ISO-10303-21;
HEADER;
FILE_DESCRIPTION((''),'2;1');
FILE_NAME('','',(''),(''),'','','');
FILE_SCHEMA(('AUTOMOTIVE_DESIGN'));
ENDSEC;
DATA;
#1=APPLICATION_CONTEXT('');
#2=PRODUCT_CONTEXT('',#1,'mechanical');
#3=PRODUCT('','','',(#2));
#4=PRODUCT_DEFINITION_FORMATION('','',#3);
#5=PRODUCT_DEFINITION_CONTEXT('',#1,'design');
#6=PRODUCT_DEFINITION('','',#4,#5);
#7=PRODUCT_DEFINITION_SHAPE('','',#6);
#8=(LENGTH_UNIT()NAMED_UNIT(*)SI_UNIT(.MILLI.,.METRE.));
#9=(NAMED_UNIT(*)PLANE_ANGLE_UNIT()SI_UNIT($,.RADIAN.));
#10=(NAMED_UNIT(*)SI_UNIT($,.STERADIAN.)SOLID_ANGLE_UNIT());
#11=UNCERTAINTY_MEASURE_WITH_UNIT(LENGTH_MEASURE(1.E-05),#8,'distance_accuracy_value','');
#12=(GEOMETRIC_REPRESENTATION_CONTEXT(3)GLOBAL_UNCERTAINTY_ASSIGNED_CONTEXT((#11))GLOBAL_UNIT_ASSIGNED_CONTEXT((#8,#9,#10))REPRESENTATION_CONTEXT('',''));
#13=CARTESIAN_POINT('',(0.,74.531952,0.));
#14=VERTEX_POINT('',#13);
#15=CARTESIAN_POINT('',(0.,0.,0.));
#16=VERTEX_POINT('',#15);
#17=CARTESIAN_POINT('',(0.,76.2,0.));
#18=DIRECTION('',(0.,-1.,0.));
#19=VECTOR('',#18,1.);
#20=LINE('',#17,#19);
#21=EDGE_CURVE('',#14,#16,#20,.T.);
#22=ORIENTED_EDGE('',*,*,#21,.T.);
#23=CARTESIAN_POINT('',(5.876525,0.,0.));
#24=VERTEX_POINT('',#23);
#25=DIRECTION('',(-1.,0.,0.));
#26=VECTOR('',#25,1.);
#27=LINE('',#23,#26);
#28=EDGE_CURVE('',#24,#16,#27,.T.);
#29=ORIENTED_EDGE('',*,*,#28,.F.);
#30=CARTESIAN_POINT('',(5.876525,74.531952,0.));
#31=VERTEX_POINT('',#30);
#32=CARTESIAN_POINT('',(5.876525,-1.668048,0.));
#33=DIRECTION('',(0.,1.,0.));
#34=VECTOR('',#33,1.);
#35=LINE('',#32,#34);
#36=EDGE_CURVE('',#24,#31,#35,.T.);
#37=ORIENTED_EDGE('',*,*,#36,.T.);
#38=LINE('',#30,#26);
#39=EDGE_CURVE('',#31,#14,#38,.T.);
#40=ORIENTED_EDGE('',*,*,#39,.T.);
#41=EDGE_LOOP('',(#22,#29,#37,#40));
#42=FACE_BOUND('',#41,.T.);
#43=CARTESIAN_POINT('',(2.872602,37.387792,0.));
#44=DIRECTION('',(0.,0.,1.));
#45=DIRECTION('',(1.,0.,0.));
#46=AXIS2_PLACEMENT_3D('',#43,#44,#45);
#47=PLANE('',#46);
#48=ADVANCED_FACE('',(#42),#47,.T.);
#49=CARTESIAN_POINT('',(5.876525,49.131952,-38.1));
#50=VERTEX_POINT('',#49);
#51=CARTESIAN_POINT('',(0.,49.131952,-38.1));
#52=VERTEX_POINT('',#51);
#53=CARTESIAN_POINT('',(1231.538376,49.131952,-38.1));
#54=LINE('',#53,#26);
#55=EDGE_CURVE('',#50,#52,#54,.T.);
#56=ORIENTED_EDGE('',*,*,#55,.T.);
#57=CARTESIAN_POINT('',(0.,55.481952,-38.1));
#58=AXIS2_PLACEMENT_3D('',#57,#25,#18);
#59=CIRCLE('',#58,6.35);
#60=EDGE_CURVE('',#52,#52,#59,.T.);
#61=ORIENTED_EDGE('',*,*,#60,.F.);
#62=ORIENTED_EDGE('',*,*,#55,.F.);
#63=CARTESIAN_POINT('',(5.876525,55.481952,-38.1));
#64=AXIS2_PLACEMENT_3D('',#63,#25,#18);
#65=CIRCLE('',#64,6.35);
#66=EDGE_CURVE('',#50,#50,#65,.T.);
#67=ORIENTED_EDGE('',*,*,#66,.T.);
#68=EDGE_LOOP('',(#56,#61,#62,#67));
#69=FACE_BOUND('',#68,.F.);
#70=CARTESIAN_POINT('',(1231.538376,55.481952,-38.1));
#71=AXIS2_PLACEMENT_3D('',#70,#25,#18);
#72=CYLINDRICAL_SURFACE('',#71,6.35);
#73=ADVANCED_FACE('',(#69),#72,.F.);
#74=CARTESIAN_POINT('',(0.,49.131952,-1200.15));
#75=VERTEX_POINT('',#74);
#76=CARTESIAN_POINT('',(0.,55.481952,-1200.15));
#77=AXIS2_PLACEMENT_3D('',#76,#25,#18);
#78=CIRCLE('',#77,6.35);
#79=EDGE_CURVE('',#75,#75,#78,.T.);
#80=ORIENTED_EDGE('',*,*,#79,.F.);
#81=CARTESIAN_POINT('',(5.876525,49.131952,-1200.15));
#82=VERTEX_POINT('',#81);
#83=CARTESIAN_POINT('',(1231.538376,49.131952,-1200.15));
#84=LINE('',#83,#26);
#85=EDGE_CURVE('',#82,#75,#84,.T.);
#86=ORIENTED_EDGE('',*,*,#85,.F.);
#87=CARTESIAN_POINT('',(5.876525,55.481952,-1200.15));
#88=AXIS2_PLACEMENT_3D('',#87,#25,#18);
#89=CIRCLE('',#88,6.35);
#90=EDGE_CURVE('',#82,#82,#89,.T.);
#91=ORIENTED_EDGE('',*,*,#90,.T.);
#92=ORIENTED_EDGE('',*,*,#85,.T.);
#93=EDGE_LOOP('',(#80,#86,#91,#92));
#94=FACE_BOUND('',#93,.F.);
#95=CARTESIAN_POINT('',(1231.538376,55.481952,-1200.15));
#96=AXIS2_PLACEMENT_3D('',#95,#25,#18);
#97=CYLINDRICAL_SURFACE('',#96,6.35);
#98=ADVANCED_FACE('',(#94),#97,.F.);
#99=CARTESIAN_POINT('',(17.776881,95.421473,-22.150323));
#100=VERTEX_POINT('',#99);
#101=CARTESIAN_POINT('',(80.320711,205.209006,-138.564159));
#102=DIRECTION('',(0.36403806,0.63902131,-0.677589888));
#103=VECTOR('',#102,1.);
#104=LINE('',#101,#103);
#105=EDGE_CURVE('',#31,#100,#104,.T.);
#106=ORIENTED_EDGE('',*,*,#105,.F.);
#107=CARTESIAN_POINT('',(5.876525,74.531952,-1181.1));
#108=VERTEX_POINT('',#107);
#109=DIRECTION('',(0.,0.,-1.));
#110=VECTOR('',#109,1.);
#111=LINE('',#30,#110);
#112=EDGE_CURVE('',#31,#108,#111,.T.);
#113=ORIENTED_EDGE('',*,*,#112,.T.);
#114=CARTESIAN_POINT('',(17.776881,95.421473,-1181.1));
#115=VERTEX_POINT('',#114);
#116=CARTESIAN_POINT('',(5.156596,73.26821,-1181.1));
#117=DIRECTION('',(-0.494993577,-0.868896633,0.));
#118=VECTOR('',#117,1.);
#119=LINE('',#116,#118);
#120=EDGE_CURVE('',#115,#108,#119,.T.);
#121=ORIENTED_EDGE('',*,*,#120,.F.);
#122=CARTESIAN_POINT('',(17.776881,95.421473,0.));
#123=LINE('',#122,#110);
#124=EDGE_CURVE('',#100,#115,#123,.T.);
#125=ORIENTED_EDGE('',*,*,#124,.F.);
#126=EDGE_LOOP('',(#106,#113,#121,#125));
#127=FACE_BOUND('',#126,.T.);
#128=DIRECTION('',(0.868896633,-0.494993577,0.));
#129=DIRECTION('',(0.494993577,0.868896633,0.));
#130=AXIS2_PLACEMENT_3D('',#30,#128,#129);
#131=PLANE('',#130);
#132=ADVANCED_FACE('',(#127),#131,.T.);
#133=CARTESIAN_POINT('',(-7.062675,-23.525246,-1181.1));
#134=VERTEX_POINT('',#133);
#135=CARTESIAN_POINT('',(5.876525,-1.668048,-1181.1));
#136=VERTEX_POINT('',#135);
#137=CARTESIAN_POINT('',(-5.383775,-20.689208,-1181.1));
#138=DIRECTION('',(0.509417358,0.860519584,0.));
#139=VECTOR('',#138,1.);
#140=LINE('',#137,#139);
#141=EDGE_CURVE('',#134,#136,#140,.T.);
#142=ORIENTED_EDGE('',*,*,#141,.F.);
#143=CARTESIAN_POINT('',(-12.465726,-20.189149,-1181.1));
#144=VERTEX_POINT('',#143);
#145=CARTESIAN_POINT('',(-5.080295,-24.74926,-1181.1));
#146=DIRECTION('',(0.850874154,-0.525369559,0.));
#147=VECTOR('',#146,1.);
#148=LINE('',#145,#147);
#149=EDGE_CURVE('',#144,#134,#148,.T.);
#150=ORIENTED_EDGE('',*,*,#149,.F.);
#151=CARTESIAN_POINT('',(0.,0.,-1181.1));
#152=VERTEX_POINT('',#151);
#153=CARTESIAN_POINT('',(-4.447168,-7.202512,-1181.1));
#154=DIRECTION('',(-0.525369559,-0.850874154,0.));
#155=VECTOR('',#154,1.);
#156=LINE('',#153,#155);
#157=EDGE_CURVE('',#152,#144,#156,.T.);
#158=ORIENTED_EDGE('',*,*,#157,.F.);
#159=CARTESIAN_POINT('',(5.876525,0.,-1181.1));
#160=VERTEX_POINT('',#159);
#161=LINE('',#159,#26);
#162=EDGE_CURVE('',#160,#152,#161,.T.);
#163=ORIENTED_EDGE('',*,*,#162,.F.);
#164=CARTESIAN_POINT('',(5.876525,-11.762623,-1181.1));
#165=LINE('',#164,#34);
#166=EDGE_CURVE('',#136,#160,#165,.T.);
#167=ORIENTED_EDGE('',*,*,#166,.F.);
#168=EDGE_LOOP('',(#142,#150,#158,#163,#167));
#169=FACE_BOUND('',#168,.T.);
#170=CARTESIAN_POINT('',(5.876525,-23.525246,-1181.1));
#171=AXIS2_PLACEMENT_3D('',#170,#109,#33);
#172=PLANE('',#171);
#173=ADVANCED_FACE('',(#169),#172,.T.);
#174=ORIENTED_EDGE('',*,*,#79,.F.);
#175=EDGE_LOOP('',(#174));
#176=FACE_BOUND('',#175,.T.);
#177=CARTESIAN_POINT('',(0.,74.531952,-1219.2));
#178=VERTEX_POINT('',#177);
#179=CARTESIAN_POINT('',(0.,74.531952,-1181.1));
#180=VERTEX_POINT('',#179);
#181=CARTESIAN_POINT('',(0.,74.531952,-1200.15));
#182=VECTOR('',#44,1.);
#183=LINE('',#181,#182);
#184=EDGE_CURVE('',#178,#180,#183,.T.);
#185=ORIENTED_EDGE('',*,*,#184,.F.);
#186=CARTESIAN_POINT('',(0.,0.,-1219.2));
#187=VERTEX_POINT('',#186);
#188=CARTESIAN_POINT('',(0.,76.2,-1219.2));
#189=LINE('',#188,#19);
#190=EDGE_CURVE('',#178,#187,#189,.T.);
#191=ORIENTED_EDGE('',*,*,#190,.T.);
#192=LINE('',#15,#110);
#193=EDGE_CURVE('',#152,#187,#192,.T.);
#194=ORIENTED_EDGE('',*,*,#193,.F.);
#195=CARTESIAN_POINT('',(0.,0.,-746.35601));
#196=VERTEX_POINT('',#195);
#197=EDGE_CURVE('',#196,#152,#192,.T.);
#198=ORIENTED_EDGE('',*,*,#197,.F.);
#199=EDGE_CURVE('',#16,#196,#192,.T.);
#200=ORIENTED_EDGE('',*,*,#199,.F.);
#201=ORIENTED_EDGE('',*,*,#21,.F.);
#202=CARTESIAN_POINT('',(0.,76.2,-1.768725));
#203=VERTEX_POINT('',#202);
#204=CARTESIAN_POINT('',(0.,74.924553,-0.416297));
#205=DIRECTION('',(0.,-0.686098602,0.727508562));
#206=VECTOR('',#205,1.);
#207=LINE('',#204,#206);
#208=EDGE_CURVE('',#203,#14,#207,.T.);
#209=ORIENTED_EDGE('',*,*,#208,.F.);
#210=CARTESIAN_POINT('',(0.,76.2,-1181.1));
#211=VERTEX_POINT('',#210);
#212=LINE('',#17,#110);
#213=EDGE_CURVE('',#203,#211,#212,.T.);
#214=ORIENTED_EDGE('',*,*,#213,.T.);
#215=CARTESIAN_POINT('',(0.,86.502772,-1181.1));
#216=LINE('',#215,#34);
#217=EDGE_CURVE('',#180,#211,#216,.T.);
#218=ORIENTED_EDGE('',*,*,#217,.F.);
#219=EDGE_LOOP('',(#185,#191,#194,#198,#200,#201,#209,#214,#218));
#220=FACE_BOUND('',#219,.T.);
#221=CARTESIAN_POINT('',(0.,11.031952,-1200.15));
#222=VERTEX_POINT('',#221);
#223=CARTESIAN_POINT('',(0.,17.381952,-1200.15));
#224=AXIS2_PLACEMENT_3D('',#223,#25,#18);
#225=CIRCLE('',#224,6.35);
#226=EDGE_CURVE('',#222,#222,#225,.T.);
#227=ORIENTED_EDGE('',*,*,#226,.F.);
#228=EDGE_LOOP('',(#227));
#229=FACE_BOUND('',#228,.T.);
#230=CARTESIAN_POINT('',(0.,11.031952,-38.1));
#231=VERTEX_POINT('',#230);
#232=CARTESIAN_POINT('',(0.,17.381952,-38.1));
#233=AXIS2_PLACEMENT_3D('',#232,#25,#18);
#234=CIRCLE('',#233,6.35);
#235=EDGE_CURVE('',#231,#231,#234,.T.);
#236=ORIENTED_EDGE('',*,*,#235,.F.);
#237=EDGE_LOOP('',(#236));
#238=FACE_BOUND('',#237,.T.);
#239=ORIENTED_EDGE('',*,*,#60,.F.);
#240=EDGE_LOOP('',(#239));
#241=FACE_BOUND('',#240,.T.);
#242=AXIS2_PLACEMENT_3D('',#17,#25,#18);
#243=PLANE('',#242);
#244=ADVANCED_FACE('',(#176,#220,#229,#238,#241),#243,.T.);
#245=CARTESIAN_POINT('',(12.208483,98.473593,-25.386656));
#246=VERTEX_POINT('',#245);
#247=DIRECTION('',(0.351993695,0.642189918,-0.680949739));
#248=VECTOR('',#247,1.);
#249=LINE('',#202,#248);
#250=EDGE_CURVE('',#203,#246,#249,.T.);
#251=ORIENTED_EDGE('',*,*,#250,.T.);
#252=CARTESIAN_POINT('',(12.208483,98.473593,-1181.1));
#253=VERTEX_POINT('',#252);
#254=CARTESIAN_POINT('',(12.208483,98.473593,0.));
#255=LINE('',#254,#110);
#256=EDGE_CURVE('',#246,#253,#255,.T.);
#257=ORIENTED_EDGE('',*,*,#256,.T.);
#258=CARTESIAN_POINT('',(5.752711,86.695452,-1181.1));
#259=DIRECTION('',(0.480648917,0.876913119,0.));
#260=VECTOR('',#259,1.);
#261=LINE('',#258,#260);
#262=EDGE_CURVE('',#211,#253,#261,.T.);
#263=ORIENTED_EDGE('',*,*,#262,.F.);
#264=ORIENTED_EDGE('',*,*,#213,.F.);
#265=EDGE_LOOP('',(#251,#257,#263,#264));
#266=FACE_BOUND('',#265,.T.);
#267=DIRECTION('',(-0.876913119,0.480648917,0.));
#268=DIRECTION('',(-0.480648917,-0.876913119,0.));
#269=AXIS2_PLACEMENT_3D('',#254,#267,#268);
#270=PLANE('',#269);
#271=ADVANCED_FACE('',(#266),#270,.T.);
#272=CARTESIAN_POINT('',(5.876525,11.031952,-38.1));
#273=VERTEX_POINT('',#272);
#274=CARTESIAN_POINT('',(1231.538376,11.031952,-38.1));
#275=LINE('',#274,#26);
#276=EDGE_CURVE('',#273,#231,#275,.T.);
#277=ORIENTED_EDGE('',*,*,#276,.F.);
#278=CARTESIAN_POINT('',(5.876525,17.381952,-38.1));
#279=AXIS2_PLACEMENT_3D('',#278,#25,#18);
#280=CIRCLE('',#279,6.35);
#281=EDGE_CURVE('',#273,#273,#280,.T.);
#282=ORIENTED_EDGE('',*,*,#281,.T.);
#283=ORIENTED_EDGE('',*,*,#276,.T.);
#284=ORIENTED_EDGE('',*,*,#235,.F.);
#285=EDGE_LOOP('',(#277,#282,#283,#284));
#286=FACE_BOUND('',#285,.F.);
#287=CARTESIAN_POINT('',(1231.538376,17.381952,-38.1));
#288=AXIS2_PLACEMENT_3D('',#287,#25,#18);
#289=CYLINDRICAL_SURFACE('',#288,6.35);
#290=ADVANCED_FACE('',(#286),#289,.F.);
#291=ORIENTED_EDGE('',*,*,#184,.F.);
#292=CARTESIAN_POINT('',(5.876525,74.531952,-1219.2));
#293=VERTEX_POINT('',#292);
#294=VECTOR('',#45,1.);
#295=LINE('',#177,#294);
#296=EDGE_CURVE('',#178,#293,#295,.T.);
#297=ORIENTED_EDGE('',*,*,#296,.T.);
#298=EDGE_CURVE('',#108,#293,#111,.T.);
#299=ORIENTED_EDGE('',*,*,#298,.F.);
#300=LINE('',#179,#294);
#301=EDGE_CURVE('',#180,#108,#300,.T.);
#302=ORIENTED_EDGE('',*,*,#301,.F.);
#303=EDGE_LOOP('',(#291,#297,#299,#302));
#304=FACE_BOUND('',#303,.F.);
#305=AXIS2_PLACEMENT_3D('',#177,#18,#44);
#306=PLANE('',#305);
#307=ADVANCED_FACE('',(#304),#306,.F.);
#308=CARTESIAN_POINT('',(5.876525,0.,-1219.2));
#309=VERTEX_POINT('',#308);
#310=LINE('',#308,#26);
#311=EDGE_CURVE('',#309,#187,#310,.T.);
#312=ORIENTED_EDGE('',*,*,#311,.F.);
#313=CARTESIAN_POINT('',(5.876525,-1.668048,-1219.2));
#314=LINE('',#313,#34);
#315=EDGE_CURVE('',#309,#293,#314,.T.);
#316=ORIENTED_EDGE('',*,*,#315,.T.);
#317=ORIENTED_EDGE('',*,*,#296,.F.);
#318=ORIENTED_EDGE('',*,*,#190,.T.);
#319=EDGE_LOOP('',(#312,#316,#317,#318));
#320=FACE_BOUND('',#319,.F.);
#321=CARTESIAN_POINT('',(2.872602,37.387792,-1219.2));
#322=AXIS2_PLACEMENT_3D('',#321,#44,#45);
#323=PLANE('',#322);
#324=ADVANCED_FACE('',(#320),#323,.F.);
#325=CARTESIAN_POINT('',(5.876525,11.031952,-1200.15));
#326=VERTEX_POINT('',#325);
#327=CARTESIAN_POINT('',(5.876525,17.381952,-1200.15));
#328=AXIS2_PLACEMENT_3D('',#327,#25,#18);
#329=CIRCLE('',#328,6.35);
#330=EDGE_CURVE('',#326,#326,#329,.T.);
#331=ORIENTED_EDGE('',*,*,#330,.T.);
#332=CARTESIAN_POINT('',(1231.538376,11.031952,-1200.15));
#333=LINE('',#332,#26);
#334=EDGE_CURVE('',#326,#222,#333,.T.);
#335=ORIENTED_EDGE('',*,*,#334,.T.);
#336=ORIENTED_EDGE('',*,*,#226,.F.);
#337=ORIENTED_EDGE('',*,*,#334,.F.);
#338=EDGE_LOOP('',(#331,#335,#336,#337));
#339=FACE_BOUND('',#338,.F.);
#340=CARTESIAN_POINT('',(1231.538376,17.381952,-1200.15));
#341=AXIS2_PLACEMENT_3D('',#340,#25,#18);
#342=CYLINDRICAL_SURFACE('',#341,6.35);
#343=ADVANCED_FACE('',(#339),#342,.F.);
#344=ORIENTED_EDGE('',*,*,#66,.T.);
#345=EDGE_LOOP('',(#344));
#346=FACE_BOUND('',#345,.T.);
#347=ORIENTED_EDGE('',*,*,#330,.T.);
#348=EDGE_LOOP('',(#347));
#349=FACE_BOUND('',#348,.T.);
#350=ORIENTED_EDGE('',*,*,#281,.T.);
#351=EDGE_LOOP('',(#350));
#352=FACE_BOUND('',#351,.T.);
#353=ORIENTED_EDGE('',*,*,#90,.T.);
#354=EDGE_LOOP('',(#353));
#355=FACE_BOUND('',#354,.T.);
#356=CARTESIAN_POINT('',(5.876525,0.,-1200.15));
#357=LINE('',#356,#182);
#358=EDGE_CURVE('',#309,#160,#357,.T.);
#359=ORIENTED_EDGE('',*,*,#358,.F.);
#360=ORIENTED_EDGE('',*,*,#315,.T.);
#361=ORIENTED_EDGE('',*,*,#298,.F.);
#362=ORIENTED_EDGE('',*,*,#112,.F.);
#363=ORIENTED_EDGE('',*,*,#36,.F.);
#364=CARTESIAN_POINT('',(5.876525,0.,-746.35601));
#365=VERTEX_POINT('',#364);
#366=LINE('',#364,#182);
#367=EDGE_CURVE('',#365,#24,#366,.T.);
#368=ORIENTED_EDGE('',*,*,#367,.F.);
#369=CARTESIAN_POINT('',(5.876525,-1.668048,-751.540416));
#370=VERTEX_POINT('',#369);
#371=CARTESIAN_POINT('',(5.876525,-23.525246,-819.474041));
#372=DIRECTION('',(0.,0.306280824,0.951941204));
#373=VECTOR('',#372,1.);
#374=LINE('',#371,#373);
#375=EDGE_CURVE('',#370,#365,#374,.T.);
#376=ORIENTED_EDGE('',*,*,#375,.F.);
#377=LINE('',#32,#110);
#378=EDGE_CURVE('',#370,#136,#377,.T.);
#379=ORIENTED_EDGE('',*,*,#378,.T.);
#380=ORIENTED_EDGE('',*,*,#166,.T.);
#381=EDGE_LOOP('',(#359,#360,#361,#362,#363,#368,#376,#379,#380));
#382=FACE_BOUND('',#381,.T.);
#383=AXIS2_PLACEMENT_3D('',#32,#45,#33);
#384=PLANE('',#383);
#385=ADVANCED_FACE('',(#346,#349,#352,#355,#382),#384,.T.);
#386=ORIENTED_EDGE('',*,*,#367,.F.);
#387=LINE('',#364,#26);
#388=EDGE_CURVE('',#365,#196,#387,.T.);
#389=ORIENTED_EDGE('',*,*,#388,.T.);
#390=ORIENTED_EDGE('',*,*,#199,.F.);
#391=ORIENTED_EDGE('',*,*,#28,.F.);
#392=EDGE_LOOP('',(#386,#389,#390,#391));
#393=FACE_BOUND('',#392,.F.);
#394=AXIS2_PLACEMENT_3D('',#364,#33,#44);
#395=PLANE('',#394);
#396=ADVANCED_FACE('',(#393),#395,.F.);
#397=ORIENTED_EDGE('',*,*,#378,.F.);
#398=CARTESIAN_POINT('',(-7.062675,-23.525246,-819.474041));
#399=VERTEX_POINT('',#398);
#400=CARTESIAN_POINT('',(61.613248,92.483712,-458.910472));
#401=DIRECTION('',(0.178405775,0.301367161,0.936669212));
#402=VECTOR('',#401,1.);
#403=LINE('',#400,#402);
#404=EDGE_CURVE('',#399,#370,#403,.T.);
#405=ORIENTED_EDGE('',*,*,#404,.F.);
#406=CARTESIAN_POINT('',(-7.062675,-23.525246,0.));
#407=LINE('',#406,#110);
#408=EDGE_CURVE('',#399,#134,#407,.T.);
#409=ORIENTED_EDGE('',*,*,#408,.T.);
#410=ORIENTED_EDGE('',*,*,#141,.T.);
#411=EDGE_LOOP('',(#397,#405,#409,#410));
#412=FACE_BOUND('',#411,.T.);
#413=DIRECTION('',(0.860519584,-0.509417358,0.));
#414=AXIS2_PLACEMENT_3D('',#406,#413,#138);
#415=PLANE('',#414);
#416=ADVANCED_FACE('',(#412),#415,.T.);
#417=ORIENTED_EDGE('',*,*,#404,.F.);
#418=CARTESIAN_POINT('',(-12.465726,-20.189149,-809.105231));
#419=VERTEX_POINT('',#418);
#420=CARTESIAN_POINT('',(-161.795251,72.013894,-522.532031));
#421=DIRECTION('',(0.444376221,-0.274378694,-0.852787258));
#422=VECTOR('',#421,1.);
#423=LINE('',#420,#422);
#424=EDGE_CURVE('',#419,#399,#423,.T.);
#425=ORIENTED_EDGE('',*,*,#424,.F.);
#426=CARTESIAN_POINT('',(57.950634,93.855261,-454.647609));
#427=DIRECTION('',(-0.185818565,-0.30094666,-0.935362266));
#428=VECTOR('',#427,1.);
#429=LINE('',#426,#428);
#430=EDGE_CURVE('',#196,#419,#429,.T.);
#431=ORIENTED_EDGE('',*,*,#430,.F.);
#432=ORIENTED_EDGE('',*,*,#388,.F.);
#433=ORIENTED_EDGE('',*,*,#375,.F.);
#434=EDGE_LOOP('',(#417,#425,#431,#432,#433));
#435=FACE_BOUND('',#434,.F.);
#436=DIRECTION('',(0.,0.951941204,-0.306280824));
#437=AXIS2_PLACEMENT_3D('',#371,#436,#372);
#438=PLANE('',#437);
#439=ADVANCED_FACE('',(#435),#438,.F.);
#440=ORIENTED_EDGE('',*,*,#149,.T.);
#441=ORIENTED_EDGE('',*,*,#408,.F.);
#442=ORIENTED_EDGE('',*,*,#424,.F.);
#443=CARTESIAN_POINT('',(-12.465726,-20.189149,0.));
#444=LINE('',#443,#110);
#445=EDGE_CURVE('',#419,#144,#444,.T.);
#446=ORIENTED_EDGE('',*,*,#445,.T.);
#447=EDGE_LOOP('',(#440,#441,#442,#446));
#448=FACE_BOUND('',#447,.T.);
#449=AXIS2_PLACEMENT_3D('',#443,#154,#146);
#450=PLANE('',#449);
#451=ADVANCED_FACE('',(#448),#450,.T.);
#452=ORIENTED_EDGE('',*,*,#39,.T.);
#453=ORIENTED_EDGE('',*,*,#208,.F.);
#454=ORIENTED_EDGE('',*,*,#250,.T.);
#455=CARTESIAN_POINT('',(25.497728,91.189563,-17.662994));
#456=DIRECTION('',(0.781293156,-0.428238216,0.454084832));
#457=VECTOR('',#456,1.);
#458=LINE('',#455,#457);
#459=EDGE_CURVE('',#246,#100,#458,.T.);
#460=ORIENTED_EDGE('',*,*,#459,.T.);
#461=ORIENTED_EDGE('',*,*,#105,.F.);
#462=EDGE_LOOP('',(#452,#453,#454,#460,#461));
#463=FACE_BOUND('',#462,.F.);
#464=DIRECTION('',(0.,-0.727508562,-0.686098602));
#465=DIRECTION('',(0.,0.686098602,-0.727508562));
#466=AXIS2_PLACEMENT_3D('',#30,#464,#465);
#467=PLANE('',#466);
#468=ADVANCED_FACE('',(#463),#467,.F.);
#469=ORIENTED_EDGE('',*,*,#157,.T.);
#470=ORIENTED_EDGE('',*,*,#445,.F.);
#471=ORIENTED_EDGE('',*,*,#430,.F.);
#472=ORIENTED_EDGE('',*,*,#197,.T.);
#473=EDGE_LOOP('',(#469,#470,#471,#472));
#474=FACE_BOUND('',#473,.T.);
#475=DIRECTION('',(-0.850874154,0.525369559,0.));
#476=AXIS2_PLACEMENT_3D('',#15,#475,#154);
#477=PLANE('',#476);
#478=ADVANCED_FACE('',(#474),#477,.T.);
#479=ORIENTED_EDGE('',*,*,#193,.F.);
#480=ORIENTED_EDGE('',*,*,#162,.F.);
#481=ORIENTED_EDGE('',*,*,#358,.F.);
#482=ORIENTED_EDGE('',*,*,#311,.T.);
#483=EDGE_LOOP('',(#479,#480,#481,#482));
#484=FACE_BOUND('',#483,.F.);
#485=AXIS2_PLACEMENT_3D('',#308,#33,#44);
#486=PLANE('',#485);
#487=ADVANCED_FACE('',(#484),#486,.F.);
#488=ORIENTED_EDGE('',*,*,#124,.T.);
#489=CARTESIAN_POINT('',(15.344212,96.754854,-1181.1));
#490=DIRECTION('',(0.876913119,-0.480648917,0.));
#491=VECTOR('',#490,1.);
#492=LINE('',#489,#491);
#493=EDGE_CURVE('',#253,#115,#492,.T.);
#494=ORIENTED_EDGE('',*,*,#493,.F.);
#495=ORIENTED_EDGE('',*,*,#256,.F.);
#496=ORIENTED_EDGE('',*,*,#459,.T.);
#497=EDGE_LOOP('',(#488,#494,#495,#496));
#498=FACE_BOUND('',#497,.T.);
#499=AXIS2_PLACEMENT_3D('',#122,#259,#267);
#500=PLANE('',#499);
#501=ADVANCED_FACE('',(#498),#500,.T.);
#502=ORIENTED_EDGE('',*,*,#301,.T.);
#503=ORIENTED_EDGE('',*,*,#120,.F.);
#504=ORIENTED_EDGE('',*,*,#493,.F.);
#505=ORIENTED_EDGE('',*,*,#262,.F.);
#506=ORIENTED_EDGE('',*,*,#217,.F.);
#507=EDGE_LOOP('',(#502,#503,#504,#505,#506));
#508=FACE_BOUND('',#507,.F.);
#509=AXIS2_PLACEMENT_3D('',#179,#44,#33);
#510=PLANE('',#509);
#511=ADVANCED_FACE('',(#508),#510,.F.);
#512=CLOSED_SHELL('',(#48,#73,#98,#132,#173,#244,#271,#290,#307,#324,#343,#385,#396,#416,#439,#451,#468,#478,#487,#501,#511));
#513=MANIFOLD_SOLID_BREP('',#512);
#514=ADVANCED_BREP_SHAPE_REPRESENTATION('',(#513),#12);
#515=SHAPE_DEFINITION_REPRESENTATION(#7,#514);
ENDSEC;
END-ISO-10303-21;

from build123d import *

# Parameters (mm, degrees)
F1_DEPTH   = 1219.2
F2_W       = 23.9416415725
F2_H       = 38.1
F3_DEPTH   = 17.7778808061
F5_D       = 12.7
F7_D       = 12.7
F8_DEPTH   = 18.3432517809
F1_FACE1_W = 24.0414338853
F1_FACE1_H = 1181.1
F9_DEPTH   = 25.4
F10_W      = 23.5252457925
F10_H      = 38.1
F11_DEPTH  = 25.4
F13_DEPTH  = 25.4


with BuildPart() as f1:
    # F0 (on Top) → F1 (new body)
    with BuildSketch(Plane.XY):
        Polygon((0, 76.2), (0, 0), (-12.4657263412, -20.1891490921), (-7.0626754618, -23.5252457925), (5.8765254397, -1.6680483502), (5.8765254397, 74.5319516498), (17.7768808061, 95.4214725972), (12.2084825006, 98.4735932223), align=None)
    extrude(amount=-F1_DEPTH)

    # F2 (on Right) → F3 (cut, through all)
    with BuildSketch(Plane.YZ):
        with Locations((86.5027724361, -1200.15)):
            Rectangle(F2_W, F2_H)
    extrude(amount=F3_DEPTH, mode=Mode.SUBTRACT)

    # F5 (through all)
    with Locations(Plane.YZ.offset(5.8765254397)):
        with Locations((55.4819516498, -1200.15), (17.3819516498, -1200.15)):
            Hole(F5_D / 2)

    # F7 (through all)
    with Locations(Plane.YZ.offset(5.8765254397)):
        with Locations((55.4819516498, -38.1), (17.3819516498, -38.1)):
            Hole(F7_D / 2)

    # F4 (on face) → F8 (cut, through all)
    with BuildSketch(Plane.YZ.offset(5.8765254397)):
        Polygon((98.4861776233, 0), (74.5319516498, 0), (98.4861776233, -25.4), align=None)
        Polygon((-22.3291479051, 0), (-22.3291479051, -25.4), (-1.6680483502, 0), align=None)
    extrude(amount=-F8_DEPTH, mode=Mode.SUBTRACT)

    # F4 (on face) + F1_face1 (on face) → F9 (cut)
    with BuildSketch(Plane.YZ.offset(5.8765254397)):
        Polygon((98.4861776233, 0), (74.5319516498, 0), (98.4861776233, -25.4), align=None)
        Polygon((-22.3291479051, 0), (-22.3291479051, -25.4), (-1.6680483502, 0), align=None)
    with BuildSketch(Plane(origin=(11.8267031229, 84.9767121235, -590.55), x_dir=(0.4949935775, 0.8688966327, 0), z_dir=(0.8688966327, -0.4949935775, 0))):
        Rectangle(F1_FACE1_W, F1_FACE1_H)
    extrude(amount=F9_DEPTH, dir=(1, 0, 0), mode=Mode.SUBTRACT)

    # F10 (on face) → F11 (cut)
    with BuildSketch(Plane.YZ.offset(5.8765254397)):
        with Locations((-11.7626228962, -1200.15)):
            Rectangle(F10_W, F10_H)
    extrude(amount=-F11_DEPTH, mode=Mode.SUBTRACT)

    # F12 (on face) → F13 (cut)
    with BuildSketch(Plane.YZ.offset(5.8765254397)):
        Polygon((0, -746.356010437), (0, 0), (-23.5252457925, 0), (-23.5252457925, -746.356010437), (-23.5252457925, -819.4740414619), align=None)
    extrude(amount=-F13_DEPTH, mode=Mode.SUBTRACT)


solid = f1.part
